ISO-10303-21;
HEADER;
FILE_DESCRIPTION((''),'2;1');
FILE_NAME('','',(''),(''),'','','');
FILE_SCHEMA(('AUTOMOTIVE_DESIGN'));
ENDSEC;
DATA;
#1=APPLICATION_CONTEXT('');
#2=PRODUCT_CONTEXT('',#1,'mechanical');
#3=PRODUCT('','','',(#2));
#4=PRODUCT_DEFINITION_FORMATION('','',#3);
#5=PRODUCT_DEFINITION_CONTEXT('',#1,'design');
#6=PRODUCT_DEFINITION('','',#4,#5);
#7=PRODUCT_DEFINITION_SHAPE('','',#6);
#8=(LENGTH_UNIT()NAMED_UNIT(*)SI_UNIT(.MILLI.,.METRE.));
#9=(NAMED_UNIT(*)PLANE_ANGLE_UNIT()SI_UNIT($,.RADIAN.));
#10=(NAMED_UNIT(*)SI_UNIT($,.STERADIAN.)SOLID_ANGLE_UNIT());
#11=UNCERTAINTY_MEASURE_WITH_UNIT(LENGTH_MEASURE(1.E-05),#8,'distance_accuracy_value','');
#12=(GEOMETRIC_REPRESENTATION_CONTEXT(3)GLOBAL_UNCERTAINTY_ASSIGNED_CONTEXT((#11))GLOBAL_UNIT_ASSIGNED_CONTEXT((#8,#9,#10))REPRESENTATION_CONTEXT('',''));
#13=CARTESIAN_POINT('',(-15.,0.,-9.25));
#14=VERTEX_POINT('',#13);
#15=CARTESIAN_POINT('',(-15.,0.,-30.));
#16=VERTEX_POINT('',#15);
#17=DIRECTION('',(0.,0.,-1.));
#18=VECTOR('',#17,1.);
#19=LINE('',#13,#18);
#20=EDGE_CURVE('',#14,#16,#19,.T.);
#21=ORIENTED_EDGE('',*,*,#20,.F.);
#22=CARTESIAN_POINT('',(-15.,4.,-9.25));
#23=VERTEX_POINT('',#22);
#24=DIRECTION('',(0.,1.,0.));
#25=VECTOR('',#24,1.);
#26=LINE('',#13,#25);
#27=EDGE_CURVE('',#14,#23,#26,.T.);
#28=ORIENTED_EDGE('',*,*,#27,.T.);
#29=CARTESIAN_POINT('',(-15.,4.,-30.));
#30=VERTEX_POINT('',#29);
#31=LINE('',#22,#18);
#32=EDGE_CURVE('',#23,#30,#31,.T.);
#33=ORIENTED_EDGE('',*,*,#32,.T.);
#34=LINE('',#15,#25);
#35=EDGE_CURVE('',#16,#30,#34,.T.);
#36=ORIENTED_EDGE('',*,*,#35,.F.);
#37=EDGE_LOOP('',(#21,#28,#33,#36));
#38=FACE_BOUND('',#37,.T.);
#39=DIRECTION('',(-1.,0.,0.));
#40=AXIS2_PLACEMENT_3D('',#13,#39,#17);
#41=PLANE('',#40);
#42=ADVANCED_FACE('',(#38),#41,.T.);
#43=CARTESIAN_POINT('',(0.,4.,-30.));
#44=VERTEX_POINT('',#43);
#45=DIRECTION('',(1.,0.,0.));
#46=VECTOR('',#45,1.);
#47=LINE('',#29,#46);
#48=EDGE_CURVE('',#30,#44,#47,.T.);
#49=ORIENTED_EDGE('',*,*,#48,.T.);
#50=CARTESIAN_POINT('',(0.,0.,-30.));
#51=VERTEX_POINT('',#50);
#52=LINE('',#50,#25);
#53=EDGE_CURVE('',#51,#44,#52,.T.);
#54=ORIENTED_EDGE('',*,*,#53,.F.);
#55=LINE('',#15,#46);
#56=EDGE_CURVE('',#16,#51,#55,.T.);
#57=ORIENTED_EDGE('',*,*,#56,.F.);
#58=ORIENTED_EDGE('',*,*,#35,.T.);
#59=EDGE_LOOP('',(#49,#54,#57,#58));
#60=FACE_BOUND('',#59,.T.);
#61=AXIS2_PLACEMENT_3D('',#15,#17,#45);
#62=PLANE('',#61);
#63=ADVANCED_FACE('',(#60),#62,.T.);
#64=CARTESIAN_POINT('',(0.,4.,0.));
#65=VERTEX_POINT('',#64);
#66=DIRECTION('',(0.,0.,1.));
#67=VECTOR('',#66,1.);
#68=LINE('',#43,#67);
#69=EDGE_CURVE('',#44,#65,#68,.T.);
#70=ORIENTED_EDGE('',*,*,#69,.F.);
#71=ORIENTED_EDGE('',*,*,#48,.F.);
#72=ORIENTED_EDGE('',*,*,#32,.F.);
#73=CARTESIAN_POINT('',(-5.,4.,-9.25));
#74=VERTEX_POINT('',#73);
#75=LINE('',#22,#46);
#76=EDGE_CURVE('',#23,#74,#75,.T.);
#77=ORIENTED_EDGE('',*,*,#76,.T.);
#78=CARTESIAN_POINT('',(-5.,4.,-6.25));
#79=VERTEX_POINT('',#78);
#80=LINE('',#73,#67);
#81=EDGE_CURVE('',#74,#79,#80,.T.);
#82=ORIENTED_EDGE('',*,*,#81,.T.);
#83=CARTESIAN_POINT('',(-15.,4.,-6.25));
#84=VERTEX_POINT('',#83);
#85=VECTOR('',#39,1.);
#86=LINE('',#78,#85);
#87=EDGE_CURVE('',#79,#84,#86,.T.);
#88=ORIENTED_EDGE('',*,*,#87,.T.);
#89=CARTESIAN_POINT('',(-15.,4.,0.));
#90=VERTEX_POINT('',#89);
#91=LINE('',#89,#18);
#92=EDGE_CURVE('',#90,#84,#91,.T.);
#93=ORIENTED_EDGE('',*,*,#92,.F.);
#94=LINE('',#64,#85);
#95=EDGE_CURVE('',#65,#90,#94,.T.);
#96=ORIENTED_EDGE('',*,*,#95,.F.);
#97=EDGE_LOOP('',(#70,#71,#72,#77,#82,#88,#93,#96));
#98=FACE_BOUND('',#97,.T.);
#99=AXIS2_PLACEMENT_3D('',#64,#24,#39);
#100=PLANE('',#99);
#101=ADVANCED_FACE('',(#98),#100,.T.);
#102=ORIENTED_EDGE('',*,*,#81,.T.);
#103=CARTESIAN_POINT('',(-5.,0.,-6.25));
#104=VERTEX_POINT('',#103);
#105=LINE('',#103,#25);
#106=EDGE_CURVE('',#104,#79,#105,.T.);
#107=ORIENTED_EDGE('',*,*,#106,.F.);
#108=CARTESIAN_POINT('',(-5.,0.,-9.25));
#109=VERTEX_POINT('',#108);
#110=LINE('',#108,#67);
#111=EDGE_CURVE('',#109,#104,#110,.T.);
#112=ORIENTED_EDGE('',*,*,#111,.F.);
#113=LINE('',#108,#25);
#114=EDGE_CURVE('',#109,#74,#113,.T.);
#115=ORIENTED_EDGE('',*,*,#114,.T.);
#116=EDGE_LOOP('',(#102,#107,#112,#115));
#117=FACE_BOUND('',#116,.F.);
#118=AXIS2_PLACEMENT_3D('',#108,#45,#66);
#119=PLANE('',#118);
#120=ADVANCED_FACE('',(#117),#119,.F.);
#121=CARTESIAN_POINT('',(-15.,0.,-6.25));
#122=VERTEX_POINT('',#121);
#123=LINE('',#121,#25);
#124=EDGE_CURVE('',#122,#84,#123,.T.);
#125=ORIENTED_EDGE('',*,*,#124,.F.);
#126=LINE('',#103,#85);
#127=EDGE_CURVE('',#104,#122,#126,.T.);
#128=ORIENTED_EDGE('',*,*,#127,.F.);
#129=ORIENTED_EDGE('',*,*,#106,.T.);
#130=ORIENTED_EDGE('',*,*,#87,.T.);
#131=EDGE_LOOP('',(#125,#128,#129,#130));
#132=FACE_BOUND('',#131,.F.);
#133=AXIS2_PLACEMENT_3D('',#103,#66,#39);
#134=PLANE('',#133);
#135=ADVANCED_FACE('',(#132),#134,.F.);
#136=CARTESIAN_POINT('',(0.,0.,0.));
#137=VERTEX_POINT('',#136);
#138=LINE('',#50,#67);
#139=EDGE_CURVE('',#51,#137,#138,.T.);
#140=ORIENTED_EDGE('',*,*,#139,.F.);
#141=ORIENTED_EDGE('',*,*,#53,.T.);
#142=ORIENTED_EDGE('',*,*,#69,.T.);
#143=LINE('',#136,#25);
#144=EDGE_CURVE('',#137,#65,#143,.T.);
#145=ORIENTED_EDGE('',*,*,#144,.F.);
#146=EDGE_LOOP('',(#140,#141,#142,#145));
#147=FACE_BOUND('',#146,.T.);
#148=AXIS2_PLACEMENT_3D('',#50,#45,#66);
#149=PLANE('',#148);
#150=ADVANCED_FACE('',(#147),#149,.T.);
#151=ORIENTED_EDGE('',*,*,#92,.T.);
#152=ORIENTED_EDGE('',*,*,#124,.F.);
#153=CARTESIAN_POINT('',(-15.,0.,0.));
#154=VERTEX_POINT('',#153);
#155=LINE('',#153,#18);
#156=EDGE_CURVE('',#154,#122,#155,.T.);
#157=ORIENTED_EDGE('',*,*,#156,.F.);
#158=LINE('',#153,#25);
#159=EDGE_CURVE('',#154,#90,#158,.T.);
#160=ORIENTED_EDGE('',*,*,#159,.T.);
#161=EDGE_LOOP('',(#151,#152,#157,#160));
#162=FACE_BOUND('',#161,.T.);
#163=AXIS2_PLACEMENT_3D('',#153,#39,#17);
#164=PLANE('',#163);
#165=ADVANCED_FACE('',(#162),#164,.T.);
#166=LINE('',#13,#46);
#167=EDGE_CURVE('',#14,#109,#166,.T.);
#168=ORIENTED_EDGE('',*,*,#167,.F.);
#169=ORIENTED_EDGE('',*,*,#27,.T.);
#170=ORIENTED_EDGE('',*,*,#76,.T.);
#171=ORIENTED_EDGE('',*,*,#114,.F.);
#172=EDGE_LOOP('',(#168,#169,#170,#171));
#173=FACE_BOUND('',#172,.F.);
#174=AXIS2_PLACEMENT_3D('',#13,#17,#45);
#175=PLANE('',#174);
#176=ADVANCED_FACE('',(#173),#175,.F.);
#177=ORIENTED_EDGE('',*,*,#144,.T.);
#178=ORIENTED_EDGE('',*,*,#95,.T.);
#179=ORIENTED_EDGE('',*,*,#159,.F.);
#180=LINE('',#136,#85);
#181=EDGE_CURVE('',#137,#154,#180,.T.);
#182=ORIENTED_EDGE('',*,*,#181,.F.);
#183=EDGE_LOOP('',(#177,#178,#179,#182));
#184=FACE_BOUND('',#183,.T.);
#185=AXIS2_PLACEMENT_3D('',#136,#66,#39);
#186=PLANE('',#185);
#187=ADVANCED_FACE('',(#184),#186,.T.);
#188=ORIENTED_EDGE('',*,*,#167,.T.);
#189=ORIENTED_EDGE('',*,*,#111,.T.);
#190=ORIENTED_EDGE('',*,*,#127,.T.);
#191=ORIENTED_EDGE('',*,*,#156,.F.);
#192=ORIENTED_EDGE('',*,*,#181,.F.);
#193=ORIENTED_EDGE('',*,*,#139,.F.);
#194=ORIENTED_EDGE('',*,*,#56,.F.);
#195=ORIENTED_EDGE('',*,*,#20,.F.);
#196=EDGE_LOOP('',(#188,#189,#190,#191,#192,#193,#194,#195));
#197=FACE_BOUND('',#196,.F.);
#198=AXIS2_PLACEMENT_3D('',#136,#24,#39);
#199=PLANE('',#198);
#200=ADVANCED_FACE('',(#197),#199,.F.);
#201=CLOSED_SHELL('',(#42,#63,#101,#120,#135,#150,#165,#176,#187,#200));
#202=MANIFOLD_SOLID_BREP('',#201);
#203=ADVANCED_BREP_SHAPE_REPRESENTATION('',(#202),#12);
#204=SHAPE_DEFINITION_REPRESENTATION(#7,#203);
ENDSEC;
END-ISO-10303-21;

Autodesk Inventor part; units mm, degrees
ref_plane "YZ Plane" through (0, 0, 0) normal (1, 0, 0) x (0, 1, 0)
ref_plane "XZ Plane" through (0, 0, 0) normal (0, 1, 0) x (-1, 0, 0)
ref_plane "XY Plane" through (0, 0, 0) normal (0, 0, 1) x (1, 0, 0)
sketch "Sketch1" plane through (0, 0, 0) normal (0, 1, 0) x (-1, 0, 0)
  line L0 (0, 0) -> (15, 0)
  line L1 (15, -30) -> (0, -30)
  line L2 (0, -30) -> (0, 0)
  line L3 (15, -9.25) -> (5, -9.25)
  line L4 (5, -9.25) -> (5, -6.25)
  line L5 (5, -6.25) -> (15, -6.25)
  line L6 (15, 0) -> (15, -6.25)
  line L7 (15, -9.25) -> (15, -30)
  dimension "d0" = 15
  dimension "d1" = 30
  dimension "d2" = 10
  dimension "d3" = 20.75
  dimension "d6" = 3
extrude "Extrusion1" add sketch "Sketch1" along normal blind 4
properties part number "GripperLeftContact"
